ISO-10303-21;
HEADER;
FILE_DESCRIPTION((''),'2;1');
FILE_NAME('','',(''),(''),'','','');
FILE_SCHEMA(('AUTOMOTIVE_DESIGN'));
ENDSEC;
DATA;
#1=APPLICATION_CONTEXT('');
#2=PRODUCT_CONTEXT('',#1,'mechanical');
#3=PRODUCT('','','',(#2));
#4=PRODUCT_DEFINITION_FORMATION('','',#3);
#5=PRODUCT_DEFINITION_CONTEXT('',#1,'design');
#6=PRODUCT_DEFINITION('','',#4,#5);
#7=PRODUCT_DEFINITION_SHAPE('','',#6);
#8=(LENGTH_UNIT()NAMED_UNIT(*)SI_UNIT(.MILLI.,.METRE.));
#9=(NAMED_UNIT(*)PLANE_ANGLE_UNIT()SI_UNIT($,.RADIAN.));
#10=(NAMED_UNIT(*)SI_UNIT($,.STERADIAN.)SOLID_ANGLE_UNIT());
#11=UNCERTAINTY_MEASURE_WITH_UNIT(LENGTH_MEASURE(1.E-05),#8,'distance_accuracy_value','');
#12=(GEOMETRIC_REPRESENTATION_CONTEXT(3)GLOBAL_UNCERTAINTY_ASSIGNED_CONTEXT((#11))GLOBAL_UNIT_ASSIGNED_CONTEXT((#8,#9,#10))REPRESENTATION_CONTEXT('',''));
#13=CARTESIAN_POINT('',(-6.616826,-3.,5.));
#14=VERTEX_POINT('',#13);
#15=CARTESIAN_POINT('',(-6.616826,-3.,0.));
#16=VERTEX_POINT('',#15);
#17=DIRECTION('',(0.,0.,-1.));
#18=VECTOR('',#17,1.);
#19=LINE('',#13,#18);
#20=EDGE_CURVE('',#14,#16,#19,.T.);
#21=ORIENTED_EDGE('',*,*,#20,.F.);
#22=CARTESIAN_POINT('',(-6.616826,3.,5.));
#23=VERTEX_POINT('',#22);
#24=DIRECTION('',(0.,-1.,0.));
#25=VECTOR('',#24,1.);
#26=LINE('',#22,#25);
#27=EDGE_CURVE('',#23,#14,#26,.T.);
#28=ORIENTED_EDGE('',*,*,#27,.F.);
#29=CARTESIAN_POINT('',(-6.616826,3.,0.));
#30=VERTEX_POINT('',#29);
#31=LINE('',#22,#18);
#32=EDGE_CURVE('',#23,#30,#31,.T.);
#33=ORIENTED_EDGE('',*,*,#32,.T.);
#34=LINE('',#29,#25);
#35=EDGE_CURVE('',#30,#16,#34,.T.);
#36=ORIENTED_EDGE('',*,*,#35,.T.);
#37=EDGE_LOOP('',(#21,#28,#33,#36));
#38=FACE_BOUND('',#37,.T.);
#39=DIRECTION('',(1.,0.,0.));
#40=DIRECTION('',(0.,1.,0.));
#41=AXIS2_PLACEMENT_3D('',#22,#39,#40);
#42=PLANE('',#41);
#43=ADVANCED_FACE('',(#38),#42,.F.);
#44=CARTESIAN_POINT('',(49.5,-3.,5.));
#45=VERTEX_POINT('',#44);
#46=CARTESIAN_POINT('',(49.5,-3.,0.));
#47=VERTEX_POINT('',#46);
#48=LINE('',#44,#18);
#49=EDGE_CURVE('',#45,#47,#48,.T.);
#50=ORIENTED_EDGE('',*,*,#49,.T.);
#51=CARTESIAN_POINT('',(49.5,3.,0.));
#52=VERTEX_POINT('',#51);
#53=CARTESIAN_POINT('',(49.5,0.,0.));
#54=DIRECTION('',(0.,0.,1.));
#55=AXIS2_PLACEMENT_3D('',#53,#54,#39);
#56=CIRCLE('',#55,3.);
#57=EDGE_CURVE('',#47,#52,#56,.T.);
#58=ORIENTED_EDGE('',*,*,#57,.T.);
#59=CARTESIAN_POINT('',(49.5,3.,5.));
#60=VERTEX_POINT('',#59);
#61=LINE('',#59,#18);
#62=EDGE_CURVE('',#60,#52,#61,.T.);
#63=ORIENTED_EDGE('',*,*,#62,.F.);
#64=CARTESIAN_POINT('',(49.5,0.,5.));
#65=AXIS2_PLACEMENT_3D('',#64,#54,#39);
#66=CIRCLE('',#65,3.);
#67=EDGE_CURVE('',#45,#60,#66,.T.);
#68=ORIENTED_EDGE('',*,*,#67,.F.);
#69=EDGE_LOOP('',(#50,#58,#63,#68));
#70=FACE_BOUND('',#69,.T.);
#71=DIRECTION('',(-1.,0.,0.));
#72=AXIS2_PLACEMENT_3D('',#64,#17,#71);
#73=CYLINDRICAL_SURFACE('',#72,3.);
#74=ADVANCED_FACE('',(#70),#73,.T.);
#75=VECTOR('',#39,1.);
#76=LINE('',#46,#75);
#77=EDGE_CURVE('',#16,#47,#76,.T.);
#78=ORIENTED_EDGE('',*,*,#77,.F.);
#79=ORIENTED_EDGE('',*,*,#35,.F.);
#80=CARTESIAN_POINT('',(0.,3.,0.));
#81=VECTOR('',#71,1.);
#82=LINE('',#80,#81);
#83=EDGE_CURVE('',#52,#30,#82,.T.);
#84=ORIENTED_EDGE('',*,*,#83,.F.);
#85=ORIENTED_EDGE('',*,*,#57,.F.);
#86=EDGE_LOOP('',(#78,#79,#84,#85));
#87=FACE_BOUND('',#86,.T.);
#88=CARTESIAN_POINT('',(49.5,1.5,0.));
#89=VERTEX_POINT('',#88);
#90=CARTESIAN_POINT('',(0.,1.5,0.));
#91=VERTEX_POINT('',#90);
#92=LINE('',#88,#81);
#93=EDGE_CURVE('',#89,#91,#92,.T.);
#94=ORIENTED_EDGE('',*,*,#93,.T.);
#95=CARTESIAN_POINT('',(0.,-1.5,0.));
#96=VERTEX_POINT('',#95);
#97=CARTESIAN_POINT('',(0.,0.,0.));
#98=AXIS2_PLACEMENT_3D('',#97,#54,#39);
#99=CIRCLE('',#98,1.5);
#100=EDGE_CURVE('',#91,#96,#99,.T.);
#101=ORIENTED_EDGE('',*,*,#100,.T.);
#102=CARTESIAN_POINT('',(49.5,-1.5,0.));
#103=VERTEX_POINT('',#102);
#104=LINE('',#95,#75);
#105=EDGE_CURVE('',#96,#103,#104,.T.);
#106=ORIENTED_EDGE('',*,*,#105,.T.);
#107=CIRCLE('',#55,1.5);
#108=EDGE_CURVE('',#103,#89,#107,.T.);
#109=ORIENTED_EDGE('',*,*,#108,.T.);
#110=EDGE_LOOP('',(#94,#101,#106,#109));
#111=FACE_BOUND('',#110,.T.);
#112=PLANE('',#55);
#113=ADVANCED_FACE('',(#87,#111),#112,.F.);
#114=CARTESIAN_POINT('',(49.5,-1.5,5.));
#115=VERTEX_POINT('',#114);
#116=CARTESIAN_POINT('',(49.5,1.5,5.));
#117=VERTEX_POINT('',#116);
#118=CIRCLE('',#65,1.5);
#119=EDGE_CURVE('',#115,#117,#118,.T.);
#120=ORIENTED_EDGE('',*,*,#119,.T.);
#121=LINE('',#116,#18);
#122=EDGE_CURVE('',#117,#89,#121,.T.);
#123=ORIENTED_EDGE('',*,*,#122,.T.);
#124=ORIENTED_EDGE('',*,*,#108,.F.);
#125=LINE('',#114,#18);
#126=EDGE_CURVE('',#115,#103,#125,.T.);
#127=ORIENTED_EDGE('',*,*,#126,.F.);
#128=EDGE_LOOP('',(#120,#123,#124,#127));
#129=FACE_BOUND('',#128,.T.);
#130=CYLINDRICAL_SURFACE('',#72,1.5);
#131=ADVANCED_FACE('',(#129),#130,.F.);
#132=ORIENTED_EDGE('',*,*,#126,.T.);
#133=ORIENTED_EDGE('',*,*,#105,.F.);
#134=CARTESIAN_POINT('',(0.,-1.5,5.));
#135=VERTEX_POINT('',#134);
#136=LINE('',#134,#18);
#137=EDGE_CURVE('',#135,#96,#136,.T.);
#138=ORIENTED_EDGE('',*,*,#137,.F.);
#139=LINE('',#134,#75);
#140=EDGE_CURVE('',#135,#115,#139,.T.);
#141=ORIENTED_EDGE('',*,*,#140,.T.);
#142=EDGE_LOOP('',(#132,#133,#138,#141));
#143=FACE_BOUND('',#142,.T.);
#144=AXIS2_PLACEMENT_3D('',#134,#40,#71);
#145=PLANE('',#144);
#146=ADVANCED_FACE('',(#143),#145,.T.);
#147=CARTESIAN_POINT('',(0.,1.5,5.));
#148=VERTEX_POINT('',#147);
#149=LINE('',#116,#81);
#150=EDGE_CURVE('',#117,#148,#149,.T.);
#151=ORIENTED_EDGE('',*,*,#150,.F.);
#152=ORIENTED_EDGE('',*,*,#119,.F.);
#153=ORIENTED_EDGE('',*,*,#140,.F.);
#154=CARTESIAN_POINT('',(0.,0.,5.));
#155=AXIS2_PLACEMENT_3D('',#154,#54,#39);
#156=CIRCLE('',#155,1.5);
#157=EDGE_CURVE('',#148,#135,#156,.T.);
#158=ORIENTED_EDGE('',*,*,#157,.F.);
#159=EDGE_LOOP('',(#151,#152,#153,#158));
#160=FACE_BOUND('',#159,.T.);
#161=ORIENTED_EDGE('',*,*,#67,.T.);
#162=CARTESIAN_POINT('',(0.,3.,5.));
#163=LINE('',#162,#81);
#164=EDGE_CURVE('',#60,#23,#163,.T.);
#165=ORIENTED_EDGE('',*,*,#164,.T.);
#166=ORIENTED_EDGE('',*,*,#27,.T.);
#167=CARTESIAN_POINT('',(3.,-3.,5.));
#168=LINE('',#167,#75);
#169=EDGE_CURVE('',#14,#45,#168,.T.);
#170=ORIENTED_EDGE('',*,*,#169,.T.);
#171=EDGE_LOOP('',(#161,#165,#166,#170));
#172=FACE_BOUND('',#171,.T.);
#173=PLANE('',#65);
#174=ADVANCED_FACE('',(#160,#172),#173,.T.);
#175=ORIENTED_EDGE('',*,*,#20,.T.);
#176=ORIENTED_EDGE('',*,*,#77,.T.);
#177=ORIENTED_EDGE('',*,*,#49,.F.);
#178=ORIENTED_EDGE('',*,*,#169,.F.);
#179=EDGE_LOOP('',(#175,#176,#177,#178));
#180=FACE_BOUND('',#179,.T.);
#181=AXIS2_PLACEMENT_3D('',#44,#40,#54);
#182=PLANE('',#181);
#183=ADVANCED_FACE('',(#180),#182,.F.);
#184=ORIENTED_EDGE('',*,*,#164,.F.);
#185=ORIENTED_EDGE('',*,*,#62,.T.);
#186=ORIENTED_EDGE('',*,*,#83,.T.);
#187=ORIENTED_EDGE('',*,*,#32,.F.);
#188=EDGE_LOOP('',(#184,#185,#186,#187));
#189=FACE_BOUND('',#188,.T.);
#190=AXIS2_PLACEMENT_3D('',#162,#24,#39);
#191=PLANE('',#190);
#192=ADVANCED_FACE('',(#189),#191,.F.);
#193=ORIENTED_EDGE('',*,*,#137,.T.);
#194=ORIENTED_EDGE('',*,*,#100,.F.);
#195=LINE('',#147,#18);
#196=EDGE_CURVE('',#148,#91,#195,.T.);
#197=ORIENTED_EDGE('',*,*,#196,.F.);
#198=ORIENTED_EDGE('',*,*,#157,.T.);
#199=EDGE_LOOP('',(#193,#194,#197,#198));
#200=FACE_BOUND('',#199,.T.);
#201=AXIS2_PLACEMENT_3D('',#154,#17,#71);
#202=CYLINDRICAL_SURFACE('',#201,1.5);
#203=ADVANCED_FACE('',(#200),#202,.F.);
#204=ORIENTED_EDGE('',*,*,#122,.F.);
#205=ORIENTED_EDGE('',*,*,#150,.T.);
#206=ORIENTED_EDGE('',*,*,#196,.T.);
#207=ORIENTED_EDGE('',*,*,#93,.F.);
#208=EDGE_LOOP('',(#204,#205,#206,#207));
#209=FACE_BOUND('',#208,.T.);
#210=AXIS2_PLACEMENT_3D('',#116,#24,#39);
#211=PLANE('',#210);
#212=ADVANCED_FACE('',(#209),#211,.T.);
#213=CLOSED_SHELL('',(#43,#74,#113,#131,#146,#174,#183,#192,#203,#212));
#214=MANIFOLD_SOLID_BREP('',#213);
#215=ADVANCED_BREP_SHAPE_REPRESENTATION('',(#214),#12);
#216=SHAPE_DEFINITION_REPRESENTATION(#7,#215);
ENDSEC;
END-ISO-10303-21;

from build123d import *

# Parameters (mm, degrees)
BOSS_EXTRUDE1_DEPTH = 5


with BuildPart() as part:
    # Sketch2 → Boss-Extrude1 (new body)
    with BuildSketch(Plane.XY):
        with BuildLine():
            Line((0, 3), (49.5, 3))
            ThreePointArc((49.5, 3), (52.5, 0), (49.5, -3))
            Line((49.5, -3), (3, -3))
            Line((3, -3), (-6.616826065, -3))
            Line((-6.616826065, -3), (-6.616826065, 3))
            Line((-6.616826065, 3), (0, 3))
        make_face()
        with BuildLine():
            Line((0, -1.5), (49.5, -1.5))
            ThreePointArc((49.5, -1.5), (51, 0), (49.5, 1.5))
            Line((49.5, 1.5), (0, 1.5))
            ThreePointArc((0, 1.5), (-1.5, 0), (0, -1.5))
        make_face(mode=Mode.SUBTRACT)
    extrude(amount=BOSS_EXTRUDE1_DEPTH)


solid = part.part
